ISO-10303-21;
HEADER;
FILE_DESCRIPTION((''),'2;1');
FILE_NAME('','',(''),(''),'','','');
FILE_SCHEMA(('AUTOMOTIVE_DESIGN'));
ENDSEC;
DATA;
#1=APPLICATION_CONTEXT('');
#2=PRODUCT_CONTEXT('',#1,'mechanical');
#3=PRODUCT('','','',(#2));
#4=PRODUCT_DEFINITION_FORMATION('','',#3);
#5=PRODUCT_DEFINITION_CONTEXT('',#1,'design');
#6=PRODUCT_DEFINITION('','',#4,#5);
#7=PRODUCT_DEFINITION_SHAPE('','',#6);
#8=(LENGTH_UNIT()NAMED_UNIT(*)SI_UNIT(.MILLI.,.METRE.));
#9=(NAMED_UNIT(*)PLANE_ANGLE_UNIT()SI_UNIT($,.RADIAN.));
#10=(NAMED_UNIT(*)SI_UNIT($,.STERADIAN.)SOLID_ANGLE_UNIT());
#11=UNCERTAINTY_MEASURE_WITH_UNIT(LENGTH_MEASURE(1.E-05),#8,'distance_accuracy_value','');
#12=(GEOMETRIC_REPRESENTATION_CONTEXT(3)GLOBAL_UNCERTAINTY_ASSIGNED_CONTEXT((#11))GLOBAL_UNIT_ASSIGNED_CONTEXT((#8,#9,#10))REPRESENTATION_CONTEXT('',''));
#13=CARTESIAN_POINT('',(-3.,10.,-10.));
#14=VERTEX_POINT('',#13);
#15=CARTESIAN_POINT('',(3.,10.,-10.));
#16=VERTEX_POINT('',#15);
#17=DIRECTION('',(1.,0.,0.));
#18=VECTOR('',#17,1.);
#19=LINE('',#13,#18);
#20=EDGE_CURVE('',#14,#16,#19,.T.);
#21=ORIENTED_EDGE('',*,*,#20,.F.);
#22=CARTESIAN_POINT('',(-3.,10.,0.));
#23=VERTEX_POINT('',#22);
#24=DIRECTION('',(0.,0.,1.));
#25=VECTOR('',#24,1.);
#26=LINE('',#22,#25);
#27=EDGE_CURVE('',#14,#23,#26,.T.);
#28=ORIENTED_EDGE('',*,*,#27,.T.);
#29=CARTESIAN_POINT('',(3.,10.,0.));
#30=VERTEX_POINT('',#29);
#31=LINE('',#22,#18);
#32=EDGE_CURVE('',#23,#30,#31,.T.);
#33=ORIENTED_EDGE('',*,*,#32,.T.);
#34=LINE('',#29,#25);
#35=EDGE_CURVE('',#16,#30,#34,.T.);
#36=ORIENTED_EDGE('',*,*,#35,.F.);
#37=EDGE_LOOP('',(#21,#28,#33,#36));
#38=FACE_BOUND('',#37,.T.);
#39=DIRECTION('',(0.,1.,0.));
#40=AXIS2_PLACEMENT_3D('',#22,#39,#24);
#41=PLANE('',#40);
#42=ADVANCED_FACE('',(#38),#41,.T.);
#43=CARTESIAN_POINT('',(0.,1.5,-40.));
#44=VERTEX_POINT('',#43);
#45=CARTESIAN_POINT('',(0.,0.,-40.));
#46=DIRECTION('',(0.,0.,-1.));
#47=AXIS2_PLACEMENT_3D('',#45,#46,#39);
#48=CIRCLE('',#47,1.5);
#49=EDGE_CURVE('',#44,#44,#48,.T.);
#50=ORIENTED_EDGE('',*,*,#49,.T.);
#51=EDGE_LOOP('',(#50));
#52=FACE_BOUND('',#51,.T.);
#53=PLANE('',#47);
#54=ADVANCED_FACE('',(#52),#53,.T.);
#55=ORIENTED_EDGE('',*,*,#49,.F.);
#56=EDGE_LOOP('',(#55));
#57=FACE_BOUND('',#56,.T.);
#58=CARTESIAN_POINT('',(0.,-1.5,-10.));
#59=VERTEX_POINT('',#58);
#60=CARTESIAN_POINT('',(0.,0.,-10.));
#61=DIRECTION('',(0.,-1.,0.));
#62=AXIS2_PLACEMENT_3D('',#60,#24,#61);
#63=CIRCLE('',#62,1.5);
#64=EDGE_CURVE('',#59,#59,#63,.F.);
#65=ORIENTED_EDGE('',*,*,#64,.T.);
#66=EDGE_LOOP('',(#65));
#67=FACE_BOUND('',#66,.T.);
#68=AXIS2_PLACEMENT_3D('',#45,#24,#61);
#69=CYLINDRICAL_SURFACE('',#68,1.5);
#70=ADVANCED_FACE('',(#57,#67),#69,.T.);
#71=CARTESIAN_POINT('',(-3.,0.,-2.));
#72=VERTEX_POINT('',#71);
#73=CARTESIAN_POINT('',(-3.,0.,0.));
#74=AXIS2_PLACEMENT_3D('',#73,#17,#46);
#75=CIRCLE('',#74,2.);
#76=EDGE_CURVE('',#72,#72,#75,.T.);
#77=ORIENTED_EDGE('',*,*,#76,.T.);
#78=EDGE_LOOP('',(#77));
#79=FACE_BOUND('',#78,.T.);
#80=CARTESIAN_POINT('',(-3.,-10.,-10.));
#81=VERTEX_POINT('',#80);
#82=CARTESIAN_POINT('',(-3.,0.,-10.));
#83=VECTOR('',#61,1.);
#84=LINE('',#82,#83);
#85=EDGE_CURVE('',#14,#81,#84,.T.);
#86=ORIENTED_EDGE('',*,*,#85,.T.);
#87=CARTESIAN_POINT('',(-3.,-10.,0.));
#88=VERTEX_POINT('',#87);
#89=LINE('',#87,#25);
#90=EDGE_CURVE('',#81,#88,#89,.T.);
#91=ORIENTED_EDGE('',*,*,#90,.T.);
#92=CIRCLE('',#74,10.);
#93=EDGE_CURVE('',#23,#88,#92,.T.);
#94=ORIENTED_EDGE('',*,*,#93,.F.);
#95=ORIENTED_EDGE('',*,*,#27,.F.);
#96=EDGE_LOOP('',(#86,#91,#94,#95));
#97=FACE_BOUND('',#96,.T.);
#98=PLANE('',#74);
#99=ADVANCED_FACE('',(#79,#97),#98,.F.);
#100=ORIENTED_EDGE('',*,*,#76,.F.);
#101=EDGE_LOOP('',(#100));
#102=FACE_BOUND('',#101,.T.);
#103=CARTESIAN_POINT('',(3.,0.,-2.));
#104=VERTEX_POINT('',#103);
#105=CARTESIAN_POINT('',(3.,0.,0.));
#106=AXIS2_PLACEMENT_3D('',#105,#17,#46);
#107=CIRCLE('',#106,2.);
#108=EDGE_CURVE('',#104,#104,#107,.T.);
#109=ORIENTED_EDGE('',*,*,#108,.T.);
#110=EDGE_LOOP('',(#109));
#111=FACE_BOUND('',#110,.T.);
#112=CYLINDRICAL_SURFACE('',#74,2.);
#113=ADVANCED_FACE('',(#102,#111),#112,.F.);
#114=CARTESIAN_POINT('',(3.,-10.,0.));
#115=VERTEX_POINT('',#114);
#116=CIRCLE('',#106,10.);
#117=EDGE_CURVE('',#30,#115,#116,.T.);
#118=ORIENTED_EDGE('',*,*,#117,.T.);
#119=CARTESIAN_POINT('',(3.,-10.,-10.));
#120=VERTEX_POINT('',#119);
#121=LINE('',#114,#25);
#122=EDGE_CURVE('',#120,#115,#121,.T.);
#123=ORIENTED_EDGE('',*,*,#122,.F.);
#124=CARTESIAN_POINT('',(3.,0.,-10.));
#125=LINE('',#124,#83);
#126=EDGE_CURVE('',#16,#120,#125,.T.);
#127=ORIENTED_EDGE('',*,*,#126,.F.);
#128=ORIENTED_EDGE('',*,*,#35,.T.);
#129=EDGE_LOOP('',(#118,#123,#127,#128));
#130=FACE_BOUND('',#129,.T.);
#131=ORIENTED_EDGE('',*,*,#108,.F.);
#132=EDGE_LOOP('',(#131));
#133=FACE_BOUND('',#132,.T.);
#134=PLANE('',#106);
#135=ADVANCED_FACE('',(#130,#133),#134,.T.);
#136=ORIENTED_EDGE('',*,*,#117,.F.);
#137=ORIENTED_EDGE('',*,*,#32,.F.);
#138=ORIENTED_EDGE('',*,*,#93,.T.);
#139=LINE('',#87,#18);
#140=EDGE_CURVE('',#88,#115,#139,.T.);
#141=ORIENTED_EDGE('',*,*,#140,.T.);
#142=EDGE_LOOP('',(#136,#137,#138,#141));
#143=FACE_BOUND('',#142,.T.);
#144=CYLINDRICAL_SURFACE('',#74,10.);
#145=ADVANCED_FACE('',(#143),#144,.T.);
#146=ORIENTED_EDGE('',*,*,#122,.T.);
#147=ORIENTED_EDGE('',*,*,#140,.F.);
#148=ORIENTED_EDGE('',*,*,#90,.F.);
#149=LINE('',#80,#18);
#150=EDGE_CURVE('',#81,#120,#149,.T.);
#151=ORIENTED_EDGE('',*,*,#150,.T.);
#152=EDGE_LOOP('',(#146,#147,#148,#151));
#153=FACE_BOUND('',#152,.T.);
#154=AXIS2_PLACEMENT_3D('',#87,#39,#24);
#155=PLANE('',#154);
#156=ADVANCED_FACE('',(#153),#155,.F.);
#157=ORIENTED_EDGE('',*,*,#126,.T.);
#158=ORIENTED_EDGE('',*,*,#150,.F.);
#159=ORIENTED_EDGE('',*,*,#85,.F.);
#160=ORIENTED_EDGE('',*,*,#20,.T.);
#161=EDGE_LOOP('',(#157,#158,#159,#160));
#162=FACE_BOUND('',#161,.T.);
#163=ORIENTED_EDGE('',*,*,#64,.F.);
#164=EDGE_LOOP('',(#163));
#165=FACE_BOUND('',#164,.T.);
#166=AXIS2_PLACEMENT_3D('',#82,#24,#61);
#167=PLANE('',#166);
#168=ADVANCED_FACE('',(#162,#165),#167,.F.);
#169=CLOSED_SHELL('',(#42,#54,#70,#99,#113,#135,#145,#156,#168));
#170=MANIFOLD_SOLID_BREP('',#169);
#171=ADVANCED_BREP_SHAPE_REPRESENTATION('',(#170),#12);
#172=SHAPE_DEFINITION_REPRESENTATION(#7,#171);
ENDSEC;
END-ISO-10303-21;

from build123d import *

# Parameters (mm, degrees)
EXTRUDE_2_DEPTH      = 3
EXTRUDE_2_DEPTH_BACK = 3
SKETCH_1_R           = 2
SKETCH_2_R           = 1.5
EXTRUDE_3_DEPTH      = 30


with BuildPart() as part:
    # 草图1 → 凸台-拉伸2 (new, two sides: drawn at the far end of the back side and taken through both)
    with BuildSketch(Plane(origin=(0, 0, 0), x_dir=(0, 0, -1), z_dir=(1, 0, 0)).offset(-EXTRUDE_2_DEPTH_BACK)):
        with BuildLine():
            Line((10, 10), (0, 10))
            ThreePointArc((0, 10), (-10, 0), (0, -10))
            Line((0, -10), (10, -10))
            Line((10, -10), (10, 10))
        make_face()
        Circle(SKETCH_1_R, mode=Mode.SUBTRACT)
    extrude(amount=EXTRUDE_2_DEPTH + EXTRUDE_2_DEPTH_BACK)

    # 草图2 → 凸台-拉伸3 (add)
    with BuildSketch(Plane(origin=(0, 0, -10), x_dir=(-1, 0, 0), z_dir=(0, 0, -1))):
        Circle(SKETCH_2_R)
    extrude(amount=EXTRUDE_3_DEPTH)


solid = part.part
